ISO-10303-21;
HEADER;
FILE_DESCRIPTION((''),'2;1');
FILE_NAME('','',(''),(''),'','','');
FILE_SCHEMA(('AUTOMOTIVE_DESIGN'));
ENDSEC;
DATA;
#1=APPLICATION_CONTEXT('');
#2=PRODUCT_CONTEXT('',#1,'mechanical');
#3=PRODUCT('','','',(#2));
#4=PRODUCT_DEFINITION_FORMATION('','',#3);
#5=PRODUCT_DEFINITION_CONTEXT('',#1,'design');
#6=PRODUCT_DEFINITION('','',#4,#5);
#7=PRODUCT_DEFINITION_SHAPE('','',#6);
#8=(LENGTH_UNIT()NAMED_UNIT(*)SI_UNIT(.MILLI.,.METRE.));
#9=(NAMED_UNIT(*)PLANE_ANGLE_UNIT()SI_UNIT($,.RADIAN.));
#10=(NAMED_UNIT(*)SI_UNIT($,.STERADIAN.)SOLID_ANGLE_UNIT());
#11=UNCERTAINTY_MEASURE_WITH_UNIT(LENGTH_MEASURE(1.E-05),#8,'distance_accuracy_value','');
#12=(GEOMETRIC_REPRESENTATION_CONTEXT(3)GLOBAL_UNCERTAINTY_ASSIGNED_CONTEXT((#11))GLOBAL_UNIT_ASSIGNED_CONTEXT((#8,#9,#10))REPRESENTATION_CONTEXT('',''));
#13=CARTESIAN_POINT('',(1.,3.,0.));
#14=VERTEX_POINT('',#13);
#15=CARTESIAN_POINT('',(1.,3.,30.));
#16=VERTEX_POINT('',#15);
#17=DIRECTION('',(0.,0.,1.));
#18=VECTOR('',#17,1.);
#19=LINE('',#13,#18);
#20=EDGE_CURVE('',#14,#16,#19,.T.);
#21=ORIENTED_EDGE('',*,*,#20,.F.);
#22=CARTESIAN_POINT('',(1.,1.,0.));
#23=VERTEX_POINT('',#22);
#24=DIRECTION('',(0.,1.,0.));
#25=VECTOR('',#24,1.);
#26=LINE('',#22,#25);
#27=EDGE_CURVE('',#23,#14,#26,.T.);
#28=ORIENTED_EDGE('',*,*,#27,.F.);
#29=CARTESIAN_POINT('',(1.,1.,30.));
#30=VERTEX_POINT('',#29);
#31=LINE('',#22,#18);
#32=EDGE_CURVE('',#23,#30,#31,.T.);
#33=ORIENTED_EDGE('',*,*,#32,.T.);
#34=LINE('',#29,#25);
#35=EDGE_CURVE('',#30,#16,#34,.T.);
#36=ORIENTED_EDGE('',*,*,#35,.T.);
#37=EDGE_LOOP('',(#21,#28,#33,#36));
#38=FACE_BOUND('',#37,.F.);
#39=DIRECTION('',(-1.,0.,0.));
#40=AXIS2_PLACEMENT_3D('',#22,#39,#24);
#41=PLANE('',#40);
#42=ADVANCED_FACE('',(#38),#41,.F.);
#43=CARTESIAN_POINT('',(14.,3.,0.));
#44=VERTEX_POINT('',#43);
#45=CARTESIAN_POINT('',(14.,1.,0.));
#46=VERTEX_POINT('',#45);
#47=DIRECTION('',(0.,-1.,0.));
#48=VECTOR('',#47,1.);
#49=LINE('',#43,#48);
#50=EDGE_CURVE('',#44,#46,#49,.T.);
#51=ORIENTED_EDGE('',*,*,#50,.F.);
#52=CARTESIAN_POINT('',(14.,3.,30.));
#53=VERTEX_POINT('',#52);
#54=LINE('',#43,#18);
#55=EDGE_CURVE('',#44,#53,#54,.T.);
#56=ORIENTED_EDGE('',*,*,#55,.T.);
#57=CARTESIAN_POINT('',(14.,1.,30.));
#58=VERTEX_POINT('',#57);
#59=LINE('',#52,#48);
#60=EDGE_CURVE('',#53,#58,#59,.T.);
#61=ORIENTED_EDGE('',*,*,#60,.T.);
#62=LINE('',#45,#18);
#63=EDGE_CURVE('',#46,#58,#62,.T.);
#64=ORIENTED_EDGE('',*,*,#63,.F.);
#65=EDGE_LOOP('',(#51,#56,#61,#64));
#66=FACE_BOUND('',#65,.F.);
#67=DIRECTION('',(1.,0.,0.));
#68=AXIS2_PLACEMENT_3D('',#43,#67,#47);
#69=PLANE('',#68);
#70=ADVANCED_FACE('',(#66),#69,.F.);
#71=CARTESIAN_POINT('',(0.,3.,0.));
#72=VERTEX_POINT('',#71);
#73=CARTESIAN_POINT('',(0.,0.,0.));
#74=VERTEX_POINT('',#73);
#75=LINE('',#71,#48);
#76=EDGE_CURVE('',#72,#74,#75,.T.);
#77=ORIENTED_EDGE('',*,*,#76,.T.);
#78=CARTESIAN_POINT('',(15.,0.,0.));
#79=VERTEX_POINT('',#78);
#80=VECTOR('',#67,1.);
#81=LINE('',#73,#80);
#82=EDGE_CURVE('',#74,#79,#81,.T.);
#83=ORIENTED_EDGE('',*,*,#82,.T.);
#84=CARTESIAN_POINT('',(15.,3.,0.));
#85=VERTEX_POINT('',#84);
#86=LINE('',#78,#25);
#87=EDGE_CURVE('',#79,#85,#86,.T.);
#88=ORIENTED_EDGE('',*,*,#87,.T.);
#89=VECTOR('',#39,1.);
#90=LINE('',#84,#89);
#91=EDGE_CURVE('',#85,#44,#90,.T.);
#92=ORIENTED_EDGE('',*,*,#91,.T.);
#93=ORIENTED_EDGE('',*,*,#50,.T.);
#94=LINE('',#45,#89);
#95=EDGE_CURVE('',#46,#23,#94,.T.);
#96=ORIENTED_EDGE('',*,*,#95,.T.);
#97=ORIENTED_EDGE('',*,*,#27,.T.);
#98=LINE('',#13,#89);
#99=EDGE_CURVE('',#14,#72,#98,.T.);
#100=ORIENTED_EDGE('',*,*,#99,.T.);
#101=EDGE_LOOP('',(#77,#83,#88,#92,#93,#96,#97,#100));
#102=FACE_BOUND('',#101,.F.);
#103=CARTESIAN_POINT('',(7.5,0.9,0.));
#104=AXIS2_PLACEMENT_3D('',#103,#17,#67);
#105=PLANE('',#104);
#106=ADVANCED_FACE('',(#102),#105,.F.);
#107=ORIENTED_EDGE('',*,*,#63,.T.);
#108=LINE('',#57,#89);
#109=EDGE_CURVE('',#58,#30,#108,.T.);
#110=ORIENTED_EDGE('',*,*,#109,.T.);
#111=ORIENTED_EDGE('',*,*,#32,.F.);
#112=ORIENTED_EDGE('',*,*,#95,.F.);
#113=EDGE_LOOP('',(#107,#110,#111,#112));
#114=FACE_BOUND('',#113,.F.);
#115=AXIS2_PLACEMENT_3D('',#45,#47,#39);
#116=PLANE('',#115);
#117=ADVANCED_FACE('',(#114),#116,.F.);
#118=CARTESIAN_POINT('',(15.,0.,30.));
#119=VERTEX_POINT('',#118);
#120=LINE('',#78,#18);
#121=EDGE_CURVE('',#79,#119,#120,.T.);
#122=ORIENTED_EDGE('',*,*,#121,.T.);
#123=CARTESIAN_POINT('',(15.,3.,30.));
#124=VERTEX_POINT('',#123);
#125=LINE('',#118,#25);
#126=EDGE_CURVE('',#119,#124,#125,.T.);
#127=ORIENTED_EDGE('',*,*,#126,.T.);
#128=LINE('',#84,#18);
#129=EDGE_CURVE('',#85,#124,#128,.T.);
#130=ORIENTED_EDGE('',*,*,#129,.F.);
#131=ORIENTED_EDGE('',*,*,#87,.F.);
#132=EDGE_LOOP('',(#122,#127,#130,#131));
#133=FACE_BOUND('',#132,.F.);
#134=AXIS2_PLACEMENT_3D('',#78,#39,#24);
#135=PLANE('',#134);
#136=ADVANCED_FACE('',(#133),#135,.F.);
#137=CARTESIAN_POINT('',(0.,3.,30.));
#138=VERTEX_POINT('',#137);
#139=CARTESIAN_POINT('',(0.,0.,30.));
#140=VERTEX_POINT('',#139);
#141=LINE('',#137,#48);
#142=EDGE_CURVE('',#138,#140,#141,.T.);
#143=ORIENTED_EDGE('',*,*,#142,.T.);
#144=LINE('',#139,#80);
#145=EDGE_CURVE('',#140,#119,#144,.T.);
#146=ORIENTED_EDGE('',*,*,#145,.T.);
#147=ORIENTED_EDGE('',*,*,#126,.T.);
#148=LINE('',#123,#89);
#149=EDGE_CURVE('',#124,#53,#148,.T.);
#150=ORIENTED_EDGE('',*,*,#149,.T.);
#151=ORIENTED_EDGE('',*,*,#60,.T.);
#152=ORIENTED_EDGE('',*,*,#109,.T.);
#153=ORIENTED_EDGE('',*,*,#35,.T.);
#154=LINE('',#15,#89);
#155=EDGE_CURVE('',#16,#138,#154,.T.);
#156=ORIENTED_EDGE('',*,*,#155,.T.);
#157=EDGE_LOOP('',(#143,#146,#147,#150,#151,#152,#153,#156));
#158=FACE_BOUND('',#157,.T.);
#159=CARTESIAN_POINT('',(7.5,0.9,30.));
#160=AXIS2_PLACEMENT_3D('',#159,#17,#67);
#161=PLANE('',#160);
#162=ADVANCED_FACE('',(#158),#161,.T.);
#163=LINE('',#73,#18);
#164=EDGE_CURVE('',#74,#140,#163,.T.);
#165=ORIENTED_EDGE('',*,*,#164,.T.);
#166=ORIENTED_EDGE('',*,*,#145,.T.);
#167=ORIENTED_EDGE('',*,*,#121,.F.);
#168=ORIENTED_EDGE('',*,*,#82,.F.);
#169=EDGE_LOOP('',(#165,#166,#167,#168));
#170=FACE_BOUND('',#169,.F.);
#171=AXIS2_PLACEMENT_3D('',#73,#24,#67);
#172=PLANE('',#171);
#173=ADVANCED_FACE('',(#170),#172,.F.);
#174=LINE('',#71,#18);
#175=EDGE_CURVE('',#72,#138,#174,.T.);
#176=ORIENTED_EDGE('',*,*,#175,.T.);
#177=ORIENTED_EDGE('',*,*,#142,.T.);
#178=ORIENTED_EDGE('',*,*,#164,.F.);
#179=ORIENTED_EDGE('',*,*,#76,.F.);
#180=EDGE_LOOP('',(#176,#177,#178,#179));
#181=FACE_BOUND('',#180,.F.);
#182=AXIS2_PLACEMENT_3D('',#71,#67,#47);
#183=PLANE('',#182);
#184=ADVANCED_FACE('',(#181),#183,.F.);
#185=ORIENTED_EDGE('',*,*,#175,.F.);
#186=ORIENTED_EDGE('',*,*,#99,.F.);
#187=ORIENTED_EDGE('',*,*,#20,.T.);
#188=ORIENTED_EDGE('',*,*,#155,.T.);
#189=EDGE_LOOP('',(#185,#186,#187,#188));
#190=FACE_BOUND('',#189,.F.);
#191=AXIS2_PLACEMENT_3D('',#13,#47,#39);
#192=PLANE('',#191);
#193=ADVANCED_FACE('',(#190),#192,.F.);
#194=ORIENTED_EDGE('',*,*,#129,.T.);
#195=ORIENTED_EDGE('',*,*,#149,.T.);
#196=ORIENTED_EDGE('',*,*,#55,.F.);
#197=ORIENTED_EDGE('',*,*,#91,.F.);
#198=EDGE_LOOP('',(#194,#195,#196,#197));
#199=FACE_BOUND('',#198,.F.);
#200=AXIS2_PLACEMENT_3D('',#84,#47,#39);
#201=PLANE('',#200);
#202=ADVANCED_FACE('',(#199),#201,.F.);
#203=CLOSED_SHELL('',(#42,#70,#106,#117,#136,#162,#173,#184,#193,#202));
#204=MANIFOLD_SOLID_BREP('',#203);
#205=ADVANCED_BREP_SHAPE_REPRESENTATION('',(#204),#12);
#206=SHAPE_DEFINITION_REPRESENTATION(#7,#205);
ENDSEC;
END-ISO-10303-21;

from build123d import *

# Parameters (mm, degrees)
PAD_DEPTH = 30


with BuildPart() as part:
    # Sketch → Pad (new body)
    with BuildSketch(Plane.XY):
        Polygon((0, 3), (0, 0), (15, 0), (15, 3), (14, 3), (14, 1), (1, 1), (1, 3), align=None)
    extrude(amount=PAD_DEPTH)


solid = part.part
